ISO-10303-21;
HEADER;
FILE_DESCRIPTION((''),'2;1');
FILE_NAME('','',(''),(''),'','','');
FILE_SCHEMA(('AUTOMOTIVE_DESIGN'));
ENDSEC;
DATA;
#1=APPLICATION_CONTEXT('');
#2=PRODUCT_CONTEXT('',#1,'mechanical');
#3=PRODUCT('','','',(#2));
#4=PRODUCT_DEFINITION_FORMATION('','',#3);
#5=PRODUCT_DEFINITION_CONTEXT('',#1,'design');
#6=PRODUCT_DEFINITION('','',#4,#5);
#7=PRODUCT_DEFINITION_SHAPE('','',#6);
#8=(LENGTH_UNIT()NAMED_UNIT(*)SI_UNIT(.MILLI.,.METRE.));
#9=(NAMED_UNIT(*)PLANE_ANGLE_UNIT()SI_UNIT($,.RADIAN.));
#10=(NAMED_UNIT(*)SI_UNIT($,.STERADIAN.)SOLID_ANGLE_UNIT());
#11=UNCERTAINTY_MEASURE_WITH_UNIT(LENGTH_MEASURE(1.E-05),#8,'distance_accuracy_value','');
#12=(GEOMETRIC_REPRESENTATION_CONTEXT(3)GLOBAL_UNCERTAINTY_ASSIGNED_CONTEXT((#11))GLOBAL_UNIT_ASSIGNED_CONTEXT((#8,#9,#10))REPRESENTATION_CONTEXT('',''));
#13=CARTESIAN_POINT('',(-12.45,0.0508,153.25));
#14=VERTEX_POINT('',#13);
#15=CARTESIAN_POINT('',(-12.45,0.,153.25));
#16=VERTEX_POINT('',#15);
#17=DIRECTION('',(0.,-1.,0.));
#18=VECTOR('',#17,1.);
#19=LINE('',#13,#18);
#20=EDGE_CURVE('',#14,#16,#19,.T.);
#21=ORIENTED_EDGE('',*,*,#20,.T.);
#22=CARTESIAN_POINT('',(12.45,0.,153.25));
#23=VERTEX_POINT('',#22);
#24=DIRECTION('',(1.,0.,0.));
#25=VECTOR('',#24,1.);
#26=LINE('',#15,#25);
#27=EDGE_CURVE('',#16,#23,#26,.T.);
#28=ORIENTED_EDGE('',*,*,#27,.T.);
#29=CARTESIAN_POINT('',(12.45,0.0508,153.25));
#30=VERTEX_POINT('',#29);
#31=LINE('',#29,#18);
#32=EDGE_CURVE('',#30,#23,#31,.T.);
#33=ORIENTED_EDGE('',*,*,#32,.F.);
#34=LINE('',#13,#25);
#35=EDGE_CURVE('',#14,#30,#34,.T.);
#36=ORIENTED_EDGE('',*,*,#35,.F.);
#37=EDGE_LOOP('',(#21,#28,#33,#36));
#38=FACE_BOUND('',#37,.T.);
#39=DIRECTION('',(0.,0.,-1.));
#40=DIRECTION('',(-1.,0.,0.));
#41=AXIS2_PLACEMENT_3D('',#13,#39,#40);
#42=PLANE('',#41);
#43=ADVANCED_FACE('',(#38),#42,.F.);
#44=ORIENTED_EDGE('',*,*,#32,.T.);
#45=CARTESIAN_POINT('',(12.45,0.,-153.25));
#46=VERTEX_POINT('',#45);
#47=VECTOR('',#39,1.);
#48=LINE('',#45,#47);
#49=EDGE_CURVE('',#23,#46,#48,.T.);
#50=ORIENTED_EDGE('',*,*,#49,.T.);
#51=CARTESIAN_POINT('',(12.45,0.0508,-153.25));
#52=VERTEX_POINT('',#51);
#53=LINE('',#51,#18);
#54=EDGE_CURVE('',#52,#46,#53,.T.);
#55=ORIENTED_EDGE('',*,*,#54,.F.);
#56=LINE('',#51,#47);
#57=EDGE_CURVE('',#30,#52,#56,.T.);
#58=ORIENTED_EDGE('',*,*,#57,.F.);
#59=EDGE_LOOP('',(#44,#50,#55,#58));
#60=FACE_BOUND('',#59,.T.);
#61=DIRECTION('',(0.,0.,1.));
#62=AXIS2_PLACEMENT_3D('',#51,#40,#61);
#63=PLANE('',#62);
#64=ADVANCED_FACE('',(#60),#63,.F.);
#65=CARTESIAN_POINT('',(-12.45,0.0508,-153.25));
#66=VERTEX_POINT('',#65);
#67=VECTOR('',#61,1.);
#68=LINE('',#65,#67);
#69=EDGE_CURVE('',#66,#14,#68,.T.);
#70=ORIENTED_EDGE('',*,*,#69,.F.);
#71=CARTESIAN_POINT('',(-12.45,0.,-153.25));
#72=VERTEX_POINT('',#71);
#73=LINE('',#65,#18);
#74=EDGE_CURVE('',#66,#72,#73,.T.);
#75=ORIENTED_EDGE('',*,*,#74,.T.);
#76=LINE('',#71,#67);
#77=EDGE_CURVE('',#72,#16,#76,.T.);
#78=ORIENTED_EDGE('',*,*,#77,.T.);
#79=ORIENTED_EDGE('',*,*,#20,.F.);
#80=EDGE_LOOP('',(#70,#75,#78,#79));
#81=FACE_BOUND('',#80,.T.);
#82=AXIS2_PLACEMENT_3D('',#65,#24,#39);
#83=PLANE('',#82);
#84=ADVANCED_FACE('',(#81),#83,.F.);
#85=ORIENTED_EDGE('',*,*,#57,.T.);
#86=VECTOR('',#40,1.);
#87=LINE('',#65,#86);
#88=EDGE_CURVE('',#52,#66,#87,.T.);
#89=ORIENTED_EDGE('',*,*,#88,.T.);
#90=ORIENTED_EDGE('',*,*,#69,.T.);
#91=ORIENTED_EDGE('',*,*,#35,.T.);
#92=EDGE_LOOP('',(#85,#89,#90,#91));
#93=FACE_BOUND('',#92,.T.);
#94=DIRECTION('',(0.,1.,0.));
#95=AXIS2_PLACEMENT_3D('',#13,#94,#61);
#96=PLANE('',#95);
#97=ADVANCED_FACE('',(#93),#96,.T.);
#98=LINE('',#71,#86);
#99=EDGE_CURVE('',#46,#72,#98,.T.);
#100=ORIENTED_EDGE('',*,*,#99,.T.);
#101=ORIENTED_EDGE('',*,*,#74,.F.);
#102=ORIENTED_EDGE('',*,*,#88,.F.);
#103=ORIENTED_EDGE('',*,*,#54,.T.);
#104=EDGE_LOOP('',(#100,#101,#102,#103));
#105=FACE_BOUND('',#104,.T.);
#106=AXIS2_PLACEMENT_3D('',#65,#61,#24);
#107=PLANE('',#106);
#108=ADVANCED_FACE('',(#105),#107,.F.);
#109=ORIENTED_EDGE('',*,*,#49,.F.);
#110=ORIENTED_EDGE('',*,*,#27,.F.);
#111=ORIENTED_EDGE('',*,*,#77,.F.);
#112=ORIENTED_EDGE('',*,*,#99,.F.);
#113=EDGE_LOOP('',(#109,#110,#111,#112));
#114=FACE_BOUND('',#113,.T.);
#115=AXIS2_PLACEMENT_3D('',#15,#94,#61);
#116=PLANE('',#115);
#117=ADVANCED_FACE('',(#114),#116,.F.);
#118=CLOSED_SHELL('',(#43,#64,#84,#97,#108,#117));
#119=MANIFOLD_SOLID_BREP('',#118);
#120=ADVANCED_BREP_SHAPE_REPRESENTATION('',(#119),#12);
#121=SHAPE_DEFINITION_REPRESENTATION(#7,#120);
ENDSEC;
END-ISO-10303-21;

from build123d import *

# Parameters (mm, degrees)
SKETCH1_W      = 24.9
SKETCH1_H      = 306.5
EXTRUDE1_DEPTH = 0.0508


with BuildPart() as part:
    # Sketch1 → Extrude1 (new body)
    with BuildSketch(Plane(origin=(0, 0, 0), x_dir=(1, 0, 0), z_dir=(0, 1, 0))):
        Rectangle(SKETCH1_W, SKETCH1_H)
    extrude(amount=EXTRUDE1_DEPTH)


solid = part.part
